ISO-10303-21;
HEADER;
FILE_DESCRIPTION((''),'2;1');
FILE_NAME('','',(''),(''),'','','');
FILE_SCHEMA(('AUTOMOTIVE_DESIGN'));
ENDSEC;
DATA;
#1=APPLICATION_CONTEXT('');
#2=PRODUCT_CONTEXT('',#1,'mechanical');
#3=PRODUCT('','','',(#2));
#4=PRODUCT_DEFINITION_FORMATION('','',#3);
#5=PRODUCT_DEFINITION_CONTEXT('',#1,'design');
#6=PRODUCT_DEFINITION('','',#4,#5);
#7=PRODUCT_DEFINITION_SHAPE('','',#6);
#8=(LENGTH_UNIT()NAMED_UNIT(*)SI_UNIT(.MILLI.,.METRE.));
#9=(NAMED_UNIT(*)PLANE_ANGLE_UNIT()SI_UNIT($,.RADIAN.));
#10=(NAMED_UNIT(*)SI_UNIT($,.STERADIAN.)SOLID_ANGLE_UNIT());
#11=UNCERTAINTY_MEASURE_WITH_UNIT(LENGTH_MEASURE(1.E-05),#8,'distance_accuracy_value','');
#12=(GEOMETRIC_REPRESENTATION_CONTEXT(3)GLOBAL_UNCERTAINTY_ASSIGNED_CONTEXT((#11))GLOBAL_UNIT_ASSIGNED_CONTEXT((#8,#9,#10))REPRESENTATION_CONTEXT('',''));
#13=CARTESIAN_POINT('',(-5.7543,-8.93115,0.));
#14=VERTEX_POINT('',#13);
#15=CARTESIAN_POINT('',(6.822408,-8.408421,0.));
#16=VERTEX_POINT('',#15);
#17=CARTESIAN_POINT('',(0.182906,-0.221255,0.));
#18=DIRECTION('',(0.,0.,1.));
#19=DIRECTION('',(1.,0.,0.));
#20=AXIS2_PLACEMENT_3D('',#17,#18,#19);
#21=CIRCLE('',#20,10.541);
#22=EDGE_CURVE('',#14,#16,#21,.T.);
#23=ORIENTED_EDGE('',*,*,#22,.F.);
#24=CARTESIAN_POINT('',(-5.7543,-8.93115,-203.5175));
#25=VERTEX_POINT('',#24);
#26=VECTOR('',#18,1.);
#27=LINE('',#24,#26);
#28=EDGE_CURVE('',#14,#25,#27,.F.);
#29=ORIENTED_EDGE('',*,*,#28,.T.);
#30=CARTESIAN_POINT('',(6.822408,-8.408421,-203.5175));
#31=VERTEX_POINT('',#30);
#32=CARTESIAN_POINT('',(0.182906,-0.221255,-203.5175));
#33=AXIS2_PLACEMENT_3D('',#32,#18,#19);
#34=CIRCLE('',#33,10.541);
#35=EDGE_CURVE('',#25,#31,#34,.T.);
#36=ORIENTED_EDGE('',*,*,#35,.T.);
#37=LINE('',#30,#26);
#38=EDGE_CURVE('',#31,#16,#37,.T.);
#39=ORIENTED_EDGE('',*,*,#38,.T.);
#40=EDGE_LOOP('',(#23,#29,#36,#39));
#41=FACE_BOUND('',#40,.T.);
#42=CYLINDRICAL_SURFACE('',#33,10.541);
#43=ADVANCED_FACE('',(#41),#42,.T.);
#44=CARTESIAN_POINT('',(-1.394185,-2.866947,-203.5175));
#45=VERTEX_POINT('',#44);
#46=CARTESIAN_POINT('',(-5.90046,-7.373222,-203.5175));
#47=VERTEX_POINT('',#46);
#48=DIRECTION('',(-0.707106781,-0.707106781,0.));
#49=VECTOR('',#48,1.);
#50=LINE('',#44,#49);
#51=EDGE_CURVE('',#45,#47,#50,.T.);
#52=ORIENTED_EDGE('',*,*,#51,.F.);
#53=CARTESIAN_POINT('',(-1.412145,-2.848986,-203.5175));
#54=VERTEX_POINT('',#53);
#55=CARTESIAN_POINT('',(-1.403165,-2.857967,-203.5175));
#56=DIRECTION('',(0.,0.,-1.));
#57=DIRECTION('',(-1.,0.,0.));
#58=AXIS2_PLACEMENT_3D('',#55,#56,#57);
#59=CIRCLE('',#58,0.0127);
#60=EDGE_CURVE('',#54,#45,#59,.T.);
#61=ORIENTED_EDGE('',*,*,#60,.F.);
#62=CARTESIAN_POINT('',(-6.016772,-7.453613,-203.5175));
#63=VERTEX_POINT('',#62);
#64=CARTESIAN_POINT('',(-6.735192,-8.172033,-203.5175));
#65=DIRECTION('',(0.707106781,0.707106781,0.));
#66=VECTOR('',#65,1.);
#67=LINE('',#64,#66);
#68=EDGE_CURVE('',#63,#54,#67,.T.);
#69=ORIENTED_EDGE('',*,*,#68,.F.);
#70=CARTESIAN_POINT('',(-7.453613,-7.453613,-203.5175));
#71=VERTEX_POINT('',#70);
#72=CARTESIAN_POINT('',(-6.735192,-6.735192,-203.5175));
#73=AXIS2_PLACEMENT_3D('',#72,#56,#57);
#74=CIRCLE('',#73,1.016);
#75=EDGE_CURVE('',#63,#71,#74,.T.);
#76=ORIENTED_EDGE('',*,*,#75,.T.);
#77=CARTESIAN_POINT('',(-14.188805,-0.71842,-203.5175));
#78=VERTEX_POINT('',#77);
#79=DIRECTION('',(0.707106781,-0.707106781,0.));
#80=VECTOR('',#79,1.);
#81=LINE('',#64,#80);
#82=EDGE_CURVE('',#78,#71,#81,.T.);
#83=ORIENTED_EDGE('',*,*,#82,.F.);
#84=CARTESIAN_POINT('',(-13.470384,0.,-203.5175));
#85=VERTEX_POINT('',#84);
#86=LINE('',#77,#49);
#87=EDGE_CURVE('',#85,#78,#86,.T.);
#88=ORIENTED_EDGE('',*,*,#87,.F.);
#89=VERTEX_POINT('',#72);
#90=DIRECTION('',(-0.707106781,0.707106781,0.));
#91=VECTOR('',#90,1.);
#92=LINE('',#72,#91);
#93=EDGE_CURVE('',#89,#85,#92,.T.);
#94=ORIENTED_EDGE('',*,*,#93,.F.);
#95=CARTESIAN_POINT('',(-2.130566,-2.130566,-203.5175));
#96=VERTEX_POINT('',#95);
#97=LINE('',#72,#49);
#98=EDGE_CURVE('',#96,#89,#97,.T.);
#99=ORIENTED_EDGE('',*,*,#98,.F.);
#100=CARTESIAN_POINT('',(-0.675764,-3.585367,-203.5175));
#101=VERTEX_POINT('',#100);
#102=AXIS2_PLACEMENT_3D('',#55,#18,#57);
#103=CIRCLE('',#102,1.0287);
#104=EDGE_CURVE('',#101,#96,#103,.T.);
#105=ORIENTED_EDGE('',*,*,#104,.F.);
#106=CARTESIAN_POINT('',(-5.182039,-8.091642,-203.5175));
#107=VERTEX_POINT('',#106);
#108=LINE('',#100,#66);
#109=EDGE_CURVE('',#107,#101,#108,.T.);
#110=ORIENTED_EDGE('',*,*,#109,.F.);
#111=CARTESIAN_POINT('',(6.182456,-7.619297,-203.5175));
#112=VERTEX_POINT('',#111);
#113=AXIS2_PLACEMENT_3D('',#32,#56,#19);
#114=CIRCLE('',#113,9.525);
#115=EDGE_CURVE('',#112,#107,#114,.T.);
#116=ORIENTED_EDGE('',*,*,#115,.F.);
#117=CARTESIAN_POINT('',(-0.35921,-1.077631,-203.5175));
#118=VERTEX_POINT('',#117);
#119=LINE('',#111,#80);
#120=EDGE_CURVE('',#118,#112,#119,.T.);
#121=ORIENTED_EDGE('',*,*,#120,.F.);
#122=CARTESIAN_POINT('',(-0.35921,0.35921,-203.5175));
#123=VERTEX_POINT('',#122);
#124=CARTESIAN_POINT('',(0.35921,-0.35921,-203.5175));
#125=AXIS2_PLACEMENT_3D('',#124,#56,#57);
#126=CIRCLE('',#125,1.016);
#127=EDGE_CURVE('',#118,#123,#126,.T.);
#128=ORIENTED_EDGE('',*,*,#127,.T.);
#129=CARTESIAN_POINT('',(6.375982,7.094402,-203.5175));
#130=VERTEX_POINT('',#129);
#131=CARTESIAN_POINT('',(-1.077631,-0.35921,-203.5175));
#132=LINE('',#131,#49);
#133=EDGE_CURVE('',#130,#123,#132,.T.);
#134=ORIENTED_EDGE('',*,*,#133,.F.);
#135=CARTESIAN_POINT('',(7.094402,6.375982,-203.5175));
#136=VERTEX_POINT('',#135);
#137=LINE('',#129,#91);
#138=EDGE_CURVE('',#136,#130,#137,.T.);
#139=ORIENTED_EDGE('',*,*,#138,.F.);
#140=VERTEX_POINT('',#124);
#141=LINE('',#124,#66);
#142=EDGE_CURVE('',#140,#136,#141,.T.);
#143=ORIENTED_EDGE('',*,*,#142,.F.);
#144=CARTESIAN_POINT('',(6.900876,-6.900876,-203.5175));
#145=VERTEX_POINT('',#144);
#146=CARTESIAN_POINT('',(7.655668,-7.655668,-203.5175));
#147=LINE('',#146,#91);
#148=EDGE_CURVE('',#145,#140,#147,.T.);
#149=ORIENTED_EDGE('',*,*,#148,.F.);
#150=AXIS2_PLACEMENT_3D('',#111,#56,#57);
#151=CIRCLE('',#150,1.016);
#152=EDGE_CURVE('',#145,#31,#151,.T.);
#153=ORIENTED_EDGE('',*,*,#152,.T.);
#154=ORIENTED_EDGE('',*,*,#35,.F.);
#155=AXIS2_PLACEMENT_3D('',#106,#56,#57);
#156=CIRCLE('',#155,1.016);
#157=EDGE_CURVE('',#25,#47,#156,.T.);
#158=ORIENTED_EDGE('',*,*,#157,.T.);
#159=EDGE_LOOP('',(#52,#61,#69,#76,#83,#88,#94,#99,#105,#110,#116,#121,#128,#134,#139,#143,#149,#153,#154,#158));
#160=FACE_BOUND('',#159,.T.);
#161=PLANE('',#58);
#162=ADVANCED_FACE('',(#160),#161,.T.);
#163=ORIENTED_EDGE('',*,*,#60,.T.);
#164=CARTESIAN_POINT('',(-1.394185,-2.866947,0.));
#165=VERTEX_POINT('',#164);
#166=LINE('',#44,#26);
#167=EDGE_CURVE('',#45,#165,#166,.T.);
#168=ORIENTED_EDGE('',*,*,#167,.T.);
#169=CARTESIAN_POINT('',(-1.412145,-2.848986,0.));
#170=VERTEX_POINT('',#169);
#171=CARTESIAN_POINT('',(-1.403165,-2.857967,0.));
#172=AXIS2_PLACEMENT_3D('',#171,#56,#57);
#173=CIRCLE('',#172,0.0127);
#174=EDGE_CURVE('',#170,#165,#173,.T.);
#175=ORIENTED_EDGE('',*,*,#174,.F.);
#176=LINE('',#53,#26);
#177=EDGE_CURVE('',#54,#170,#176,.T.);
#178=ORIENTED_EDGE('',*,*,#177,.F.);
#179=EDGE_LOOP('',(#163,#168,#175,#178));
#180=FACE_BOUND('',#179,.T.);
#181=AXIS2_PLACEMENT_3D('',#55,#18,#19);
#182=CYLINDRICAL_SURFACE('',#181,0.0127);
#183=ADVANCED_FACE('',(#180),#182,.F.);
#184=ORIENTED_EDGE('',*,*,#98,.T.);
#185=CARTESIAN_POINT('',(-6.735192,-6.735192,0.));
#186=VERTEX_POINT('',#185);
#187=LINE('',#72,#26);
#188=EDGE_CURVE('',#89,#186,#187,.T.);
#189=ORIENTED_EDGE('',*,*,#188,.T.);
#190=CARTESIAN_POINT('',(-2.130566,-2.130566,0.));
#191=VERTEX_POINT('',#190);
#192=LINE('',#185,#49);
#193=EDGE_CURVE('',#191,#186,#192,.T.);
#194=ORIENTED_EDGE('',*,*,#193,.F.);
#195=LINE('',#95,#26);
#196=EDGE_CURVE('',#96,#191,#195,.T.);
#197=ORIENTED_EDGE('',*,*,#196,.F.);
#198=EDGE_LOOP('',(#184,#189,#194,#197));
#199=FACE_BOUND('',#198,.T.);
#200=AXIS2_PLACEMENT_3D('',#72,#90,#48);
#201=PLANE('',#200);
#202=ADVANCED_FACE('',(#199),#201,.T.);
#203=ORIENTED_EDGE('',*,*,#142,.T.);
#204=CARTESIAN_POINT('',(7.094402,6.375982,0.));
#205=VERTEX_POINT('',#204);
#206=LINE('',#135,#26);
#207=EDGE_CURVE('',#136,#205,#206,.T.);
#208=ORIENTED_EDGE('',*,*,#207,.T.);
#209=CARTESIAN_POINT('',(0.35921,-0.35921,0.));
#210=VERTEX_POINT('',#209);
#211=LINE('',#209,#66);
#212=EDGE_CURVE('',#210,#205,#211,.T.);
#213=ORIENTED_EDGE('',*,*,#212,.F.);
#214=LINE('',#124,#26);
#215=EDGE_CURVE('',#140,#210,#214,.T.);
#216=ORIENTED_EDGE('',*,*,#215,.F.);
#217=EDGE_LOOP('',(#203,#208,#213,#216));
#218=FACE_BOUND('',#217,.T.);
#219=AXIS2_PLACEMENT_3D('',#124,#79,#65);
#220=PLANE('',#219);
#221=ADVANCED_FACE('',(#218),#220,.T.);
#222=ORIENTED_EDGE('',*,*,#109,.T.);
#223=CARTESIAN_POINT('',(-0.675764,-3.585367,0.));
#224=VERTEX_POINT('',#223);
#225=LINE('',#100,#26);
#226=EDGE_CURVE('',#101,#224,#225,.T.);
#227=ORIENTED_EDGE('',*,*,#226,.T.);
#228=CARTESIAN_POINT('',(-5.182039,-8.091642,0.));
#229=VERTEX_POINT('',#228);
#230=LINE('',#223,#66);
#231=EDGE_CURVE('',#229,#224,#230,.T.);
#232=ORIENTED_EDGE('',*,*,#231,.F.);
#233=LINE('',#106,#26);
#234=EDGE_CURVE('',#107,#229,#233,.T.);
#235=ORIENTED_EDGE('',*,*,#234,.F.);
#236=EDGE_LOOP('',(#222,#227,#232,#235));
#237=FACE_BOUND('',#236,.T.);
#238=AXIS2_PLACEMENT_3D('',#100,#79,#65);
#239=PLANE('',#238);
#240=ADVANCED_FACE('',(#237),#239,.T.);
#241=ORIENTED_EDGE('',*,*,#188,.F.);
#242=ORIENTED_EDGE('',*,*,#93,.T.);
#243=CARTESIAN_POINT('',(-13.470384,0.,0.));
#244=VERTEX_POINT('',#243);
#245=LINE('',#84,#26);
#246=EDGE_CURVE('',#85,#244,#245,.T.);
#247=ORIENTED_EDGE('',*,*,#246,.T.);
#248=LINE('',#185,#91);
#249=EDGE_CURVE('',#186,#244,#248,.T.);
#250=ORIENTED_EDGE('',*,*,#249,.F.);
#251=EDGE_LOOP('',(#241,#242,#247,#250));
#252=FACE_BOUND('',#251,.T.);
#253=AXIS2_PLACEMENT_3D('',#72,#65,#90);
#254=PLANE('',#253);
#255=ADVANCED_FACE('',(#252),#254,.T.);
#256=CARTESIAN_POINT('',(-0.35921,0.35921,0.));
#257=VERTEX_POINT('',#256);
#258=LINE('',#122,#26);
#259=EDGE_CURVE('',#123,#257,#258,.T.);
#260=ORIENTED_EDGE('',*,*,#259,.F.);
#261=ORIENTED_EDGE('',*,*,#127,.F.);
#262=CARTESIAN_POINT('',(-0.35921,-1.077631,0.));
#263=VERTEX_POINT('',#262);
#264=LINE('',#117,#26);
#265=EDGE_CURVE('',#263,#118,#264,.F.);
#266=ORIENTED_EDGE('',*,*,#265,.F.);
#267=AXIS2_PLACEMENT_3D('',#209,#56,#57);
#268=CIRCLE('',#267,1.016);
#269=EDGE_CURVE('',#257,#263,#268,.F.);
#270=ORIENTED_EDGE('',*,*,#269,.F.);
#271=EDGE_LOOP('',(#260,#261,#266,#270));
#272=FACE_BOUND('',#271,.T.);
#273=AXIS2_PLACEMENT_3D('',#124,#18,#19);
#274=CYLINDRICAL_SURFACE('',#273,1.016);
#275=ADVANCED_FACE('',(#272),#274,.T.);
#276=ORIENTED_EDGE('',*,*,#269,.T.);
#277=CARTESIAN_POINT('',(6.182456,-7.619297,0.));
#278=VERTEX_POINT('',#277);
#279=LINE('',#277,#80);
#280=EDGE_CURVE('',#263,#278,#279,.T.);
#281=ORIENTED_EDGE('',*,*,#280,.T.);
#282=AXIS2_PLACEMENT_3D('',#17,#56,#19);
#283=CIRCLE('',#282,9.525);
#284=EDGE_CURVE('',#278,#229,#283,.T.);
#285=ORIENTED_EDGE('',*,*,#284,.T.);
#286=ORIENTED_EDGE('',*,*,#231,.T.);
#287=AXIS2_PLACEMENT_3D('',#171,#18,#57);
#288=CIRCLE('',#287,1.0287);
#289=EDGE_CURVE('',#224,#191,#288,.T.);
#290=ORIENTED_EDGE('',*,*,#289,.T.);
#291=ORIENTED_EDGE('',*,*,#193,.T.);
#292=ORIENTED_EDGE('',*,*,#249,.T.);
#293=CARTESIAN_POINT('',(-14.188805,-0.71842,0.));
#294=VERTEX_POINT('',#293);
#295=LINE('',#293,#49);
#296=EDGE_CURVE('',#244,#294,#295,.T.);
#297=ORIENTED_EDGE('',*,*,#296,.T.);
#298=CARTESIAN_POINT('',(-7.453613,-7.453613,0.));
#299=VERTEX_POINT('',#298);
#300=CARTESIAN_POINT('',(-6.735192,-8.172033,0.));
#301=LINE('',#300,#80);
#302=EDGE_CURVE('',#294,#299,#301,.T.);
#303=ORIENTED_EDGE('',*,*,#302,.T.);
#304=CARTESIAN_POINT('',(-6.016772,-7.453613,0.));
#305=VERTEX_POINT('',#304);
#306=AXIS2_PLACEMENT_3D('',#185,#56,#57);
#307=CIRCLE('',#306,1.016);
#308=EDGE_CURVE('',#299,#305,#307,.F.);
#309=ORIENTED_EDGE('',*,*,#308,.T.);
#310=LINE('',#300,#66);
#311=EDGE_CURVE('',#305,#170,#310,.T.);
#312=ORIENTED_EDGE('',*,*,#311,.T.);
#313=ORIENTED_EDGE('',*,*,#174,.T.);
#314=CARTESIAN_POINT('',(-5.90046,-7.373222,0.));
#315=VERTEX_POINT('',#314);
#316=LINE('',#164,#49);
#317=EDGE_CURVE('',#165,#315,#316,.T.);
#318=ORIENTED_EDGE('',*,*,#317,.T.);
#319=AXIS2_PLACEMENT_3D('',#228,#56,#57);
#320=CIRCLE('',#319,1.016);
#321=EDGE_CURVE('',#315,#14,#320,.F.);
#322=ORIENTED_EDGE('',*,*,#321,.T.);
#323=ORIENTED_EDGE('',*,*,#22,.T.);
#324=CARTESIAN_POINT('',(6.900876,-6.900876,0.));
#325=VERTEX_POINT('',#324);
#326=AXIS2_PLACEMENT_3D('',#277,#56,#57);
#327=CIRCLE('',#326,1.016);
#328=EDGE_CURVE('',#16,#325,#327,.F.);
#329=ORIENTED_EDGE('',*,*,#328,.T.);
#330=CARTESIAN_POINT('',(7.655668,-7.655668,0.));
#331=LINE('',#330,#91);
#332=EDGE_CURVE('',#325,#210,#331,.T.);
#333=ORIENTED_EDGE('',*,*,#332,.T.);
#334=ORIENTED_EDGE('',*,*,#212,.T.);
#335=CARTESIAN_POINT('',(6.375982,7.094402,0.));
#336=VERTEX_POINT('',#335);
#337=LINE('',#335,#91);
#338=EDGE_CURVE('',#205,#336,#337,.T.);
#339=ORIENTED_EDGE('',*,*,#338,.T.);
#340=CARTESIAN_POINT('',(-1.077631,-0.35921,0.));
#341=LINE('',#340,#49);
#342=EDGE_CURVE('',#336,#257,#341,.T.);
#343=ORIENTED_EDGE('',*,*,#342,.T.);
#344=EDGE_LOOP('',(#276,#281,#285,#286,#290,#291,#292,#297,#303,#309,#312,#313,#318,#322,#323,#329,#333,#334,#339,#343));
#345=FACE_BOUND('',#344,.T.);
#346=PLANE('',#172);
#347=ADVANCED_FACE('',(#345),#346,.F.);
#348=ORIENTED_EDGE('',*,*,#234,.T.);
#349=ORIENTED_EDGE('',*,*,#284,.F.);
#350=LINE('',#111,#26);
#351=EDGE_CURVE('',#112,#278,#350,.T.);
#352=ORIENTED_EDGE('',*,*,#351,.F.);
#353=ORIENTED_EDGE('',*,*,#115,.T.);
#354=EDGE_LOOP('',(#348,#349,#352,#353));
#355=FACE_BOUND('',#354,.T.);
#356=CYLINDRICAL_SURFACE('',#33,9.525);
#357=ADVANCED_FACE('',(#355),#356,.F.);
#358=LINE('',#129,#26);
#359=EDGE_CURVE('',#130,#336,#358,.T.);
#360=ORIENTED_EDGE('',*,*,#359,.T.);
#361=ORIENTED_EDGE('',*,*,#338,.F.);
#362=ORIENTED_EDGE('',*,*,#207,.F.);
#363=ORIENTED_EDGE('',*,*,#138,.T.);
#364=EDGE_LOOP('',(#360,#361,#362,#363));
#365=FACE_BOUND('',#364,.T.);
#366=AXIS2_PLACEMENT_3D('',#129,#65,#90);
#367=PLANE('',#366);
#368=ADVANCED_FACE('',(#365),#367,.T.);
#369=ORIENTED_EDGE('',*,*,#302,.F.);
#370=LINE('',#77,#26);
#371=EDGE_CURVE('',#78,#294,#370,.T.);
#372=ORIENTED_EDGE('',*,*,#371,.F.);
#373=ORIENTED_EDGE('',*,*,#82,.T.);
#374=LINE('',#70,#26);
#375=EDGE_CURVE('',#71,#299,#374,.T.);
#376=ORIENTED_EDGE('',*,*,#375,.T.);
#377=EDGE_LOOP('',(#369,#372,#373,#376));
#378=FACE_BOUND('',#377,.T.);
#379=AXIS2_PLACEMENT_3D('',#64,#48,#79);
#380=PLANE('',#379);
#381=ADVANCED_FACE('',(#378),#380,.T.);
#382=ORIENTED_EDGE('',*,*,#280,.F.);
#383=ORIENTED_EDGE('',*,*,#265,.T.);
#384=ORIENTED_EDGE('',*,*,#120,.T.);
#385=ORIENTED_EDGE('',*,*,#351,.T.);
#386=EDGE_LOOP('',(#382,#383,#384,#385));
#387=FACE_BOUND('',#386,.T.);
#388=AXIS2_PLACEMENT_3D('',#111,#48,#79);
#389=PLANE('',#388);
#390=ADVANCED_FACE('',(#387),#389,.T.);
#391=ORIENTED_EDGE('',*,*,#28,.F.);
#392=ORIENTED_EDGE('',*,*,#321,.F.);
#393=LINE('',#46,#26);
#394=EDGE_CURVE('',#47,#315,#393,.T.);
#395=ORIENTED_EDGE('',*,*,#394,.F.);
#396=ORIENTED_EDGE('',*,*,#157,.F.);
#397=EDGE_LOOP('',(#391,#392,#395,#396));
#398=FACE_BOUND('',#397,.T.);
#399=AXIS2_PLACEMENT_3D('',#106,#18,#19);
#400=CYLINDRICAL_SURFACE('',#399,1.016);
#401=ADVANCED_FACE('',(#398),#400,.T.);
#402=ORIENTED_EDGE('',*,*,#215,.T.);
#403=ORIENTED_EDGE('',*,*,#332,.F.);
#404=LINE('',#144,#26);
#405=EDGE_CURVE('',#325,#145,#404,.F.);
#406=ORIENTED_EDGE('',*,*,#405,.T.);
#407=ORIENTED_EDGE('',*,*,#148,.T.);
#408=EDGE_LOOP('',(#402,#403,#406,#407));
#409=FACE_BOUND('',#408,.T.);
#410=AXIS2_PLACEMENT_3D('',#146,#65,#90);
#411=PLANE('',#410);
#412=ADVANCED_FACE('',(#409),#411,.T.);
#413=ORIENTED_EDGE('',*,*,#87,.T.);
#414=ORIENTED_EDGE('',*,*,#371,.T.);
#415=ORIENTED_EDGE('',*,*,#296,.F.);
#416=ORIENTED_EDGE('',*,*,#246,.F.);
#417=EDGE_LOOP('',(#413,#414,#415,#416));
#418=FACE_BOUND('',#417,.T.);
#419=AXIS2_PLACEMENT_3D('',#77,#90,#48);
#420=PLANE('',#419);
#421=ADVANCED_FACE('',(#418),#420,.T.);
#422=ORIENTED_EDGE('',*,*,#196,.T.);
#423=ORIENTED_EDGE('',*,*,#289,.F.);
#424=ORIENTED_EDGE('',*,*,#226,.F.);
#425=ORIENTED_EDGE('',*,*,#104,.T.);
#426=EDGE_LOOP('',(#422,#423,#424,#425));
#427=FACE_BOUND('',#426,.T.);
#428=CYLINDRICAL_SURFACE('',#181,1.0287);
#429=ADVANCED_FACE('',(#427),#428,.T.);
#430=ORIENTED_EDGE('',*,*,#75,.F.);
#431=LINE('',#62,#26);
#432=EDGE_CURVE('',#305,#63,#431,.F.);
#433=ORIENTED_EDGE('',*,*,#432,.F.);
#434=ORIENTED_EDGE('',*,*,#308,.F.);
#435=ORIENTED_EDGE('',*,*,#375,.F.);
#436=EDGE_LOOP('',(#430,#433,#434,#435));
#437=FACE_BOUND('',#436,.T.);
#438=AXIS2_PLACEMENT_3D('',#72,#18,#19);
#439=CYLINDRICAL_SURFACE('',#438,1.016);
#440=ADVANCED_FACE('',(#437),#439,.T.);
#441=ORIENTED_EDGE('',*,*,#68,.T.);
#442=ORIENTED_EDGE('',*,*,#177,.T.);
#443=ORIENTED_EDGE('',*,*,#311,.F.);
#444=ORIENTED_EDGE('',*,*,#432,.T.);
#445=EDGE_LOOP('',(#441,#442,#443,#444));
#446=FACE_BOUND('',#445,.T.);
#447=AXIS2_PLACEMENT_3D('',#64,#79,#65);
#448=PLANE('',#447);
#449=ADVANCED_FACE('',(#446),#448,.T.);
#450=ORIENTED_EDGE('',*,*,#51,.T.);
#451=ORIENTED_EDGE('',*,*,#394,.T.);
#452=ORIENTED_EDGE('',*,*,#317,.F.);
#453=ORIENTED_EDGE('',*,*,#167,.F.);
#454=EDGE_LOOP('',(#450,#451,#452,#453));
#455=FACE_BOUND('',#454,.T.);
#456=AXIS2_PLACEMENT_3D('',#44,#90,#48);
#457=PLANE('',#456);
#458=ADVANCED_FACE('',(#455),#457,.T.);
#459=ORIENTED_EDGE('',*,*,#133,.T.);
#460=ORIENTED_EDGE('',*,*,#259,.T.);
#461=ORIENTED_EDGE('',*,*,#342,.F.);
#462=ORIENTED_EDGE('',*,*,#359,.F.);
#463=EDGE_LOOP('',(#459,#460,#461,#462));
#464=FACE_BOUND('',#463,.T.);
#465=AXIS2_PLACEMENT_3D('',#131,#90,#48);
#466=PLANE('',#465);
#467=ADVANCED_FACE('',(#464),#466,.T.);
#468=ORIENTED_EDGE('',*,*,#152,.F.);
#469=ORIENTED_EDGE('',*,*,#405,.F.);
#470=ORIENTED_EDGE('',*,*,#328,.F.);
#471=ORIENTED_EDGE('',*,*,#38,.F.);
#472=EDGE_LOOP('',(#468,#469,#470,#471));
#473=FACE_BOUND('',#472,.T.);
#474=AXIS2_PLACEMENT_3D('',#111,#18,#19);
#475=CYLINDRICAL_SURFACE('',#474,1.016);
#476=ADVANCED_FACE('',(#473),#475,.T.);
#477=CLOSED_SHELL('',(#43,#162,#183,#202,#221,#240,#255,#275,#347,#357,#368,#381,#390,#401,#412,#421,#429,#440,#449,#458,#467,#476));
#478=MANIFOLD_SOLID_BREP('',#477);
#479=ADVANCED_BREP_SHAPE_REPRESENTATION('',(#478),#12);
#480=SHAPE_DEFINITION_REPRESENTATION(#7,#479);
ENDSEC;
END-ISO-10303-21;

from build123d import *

# Parameters (mm, degrees)
BOSS_EXTRUDE1_DEPTH = 203.5175
FILLET1_R           = 1.016


with BuildPart() as part:
    # Sketch2 → Boss-Extrude1 (new body)
    with BuildSketch(Plane.XY):
        with BuildLine():
            Line((-6.735192091, -6.735192091), (-13.470384182, 0))
            Line((-13.470384182, 0), (-14.188804671, -0.71842049))
            Line((-14.188804671, -0.71842049), (-6.735192091, -8.17203307))
            Line((-6.735192091, -8.17203307), (-1.412145275, -2.848986254))
            ThreePointArc((-1.412145275, -2.848986254), (-1.394184763, -2.848986254), (-1.394184763, -2.866946767))
            Line((-1.394184763, -2.866946767), (-6.717231579, -8.189993582))
            ThreePointArc((-6.717231579, -8.189993582), (0.574505978, -10.754978809), (7.655668343, -7.655668343))
            Line((7.655668343, -7.655668343), (0.359210245, -0.359210245))
            Line((0.359210245, -0.359210245), (7.094402336, 6.375981846))
            Line((7.094402336, 6.375981846), (6.375981846, 7.094402336))
            Line((6.375981846, 7.094402336), (-1.077630735, -0.359210245))
            Line((-1.077630735, -0.359210245), (6.182455958, -7.619296938))
            ThreePointArc((6.182455958, -7.619296938), (0.578453997, -9.738038748), (-5.182039359, -8.091642343))
            Line((-5.182039359, -8.091642343), (-0.675764273, -3.585367256))
            ThreePointArc((-0.675764273, -3.585367256), (-0.675764273, -2.130565765), (-2.130565765, -2.130565765))
            Line((-2.130565765, -2.130565765), (-6.735192091, -6.735192091))
        make_face()
    extrude(amount=-BOSS_EXTRUDE1_DEPTH)

    # Fillet1
    fillet1_edges = [part.edges().sort_by_distance(p)[0] for p in [
        (-1.077630735, -0.359210245, -101.75875),
        (7.655668343, -7.655668343, -101.75875),
        (-6.717231579, -8.189993582, -101.75875),
        (-6.735192091, -8.17203307, -101.75875),
    ]]
    fillet(fillet1_edges, radius=FILLET1_R)


solid = part.part
